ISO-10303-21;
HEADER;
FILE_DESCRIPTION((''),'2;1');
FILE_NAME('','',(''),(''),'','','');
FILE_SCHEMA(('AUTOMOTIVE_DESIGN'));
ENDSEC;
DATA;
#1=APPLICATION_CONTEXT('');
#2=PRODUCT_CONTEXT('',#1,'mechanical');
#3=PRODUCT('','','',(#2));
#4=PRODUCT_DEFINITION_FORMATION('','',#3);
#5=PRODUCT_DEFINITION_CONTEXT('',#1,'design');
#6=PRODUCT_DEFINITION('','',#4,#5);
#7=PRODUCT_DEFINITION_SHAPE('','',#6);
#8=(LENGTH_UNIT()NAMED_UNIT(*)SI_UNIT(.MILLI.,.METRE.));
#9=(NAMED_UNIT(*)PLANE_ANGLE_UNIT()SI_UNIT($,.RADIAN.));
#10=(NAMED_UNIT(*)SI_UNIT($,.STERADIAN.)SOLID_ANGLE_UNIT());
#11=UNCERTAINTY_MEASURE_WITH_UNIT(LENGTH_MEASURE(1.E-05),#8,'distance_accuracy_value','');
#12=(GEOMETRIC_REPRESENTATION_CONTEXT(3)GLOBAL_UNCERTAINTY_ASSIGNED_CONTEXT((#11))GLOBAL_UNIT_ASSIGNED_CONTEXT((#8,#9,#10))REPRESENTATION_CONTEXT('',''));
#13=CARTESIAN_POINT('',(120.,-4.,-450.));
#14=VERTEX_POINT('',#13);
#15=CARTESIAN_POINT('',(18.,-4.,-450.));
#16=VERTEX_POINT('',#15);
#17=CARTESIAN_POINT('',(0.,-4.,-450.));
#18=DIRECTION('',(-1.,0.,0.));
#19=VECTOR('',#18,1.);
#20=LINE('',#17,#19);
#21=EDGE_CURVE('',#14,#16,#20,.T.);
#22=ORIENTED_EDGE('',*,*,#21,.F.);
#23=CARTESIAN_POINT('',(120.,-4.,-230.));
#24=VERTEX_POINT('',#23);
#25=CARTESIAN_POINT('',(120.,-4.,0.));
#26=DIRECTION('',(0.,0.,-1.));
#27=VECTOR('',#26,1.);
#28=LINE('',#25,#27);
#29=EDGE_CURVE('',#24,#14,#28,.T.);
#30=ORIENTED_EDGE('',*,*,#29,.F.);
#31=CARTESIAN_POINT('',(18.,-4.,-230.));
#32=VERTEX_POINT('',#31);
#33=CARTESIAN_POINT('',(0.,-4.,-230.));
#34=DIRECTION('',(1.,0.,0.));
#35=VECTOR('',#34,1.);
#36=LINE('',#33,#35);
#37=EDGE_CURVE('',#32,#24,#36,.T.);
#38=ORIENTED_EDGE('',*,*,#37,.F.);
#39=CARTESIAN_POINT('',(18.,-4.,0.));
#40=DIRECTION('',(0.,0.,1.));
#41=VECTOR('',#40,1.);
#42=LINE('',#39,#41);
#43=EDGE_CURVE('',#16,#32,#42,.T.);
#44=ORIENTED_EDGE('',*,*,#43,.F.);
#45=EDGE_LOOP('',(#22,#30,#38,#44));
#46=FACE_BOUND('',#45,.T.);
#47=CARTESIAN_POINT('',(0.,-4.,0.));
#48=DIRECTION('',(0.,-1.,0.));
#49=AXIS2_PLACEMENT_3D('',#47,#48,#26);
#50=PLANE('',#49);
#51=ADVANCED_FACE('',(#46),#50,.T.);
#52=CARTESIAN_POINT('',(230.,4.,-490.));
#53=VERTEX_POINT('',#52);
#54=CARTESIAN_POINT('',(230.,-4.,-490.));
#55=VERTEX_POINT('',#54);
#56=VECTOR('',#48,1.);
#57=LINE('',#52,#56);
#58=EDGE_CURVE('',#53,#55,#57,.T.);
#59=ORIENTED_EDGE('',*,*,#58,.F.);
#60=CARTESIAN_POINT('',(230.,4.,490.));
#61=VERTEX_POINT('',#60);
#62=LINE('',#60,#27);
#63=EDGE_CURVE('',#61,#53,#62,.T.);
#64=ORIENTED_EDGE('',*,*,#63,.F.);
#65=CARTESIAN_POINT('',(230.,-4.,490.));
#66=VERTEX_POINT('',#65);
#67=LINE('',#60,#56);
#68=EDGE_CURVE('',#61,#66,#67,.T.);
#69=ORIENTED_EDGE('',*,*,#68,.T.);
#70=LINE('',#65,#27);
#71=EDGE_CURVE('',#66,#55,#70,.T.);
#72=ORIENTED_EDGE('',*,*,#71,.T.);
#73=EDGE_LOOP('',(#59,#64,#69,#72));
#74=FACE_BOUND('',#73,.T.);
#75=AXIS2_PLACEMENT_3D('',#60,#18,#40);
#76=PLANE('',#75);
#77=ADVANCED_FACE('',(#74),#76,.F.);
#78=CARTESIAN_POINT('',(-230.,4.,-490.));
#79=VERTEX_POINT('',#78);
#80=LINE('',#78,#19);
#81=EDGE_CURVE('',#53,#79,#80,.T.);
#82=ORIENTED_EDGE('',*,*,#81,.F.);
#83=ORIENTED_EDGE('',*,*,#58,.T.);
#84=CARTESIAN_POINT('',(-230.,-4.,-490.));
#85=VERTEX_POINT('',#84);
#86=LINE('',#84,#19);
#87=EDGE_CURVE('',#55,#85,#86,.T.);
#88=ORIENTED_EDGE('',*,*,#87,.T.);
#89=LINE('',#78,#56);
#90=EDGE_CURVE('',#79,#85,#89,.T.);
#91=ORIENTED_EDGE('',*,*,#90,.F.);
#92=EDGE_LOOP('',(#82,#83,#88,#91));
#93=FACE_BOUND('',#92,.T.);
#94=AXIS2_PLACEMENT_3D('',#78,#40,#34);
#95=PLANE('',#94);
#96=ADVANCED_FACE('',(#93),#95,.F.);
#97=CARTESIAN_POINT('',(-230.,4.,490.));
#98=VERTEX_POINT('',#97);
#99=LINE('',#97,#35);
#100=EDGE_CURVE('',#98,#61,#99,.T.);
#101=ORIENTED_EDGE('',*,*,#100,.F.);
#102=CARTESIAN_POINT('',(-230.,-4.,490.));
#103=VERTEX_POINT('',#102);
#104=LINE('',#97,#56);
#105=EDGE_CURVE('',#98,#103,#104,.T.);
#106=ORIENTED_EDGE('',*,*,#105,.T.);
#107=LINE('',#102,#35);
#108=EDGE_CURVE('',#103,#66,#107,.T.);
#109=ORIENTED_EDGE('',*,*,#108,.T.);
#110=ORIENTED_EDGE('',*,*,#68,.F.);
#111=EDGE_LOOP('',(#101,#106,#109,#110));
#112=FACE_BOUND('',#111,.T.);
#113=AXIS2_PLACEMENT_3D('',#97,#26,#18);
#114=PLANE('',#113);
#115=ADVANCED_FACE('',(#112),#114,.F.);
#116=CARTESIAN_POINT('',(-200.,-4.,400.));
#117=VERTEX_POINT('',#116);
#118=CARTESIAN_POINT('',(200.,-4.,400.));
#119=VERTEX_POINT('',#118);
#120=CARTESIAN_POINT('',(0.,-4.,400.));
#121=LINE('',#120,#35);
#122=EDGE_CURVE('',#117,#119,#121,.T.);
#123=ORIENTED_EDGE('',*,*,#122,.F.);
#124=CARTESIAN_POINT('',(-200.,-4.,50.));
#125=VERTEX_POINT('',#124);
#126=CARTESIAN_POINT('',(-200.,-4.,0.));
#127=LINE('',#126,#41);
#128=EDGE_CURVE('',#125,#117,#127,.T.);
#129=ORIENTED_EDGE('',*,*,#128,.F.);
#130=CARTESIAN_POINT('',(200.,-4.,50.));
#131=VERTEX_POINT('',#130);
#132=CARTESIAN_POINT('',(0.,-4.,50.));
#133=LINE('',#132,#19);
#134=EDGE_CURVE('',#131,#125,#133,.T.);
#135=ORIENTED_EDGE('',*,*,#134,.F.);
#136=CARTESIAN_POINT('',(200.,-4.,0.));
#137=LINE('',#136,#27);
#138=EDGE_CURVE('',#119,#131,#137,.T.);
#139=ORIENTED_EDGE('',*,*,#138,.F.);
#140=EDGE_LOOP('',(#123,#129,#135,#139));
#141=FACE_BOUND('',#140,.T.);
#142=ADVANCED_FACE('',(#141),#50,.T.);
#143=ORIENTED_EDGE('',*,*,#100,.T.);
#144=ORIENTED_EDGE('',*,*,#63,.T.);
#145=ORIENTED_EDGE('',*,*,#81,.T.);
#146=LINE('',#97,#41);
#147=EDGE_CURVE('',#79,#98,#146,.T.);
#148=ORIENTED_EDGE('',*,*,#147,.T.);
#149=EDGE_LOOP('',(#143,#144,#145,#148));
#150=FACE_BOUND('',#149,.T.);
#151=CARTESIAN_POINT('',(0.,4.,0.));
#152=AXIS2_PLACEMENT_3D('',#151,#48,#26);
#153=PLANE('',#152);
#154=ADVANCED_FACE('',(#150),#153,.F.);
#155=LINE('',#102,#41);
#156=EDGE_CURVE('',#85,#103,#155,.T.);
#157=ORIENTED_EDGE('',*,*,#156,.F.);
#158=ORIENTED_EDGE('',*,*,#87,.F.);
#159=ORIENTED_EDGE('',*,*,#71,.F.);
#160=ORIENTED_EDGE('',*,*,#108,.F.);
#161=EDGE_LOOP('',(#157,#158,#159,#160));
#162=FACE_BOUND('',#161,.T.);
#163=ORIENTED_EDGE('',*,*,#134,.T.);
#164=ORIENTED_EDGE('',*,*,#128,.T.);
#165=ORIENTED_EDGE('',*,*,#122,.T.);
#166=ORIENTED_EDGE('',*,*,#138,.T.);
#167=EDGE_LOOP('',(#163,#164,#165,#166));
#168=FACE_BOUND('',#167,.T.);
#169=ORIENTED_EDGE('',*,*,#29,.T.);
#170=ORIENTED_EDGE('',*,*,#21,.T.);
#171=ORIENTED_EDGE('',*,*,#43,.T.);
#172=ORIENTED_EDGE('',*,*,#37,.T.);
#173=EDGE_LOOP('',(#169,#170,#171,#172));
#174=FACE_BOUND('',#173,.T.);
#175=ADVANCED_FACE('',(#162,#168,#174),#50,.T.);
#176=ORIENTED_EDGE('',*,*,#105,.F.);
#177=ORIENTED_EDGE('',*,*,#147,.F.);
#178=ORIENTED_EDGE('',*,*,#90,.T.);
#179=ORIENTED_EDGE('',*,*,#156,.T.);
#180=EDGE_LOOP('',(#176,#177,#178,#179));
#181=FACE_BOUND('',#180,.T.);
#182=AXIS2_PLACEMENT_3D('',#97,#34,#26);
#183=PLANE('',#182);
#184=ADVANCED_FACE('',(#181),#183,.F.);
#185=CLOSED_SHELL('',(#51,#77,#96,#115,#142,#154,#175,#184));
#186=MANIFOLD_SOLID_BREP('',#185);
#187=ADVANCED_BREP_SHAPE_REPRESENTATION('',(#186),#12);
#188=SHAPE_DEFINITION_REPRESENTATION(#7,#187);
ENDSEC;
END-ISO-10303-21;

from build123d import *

# Parameters (mm, degrees)
SKETCH1_W           = 460
SKETCH1_H           = 980
BOSS_EXTRUDE1_DEPTH = 4


with BuildPart() as part:
    # Sketch1 → Boss-Extrude1 (new, symmetric)
    with BuildSketch(Plane(origin=(0, 0, 0), x_dir=(1, 0, 0), z_dir=(0, 1, 0))):
        Rectangle(SKETCH1_W, SKETCH1_H)
    extrude(amount=BOSS_EXTRUDE1_DEPTH, both=True)


solid = part.part
